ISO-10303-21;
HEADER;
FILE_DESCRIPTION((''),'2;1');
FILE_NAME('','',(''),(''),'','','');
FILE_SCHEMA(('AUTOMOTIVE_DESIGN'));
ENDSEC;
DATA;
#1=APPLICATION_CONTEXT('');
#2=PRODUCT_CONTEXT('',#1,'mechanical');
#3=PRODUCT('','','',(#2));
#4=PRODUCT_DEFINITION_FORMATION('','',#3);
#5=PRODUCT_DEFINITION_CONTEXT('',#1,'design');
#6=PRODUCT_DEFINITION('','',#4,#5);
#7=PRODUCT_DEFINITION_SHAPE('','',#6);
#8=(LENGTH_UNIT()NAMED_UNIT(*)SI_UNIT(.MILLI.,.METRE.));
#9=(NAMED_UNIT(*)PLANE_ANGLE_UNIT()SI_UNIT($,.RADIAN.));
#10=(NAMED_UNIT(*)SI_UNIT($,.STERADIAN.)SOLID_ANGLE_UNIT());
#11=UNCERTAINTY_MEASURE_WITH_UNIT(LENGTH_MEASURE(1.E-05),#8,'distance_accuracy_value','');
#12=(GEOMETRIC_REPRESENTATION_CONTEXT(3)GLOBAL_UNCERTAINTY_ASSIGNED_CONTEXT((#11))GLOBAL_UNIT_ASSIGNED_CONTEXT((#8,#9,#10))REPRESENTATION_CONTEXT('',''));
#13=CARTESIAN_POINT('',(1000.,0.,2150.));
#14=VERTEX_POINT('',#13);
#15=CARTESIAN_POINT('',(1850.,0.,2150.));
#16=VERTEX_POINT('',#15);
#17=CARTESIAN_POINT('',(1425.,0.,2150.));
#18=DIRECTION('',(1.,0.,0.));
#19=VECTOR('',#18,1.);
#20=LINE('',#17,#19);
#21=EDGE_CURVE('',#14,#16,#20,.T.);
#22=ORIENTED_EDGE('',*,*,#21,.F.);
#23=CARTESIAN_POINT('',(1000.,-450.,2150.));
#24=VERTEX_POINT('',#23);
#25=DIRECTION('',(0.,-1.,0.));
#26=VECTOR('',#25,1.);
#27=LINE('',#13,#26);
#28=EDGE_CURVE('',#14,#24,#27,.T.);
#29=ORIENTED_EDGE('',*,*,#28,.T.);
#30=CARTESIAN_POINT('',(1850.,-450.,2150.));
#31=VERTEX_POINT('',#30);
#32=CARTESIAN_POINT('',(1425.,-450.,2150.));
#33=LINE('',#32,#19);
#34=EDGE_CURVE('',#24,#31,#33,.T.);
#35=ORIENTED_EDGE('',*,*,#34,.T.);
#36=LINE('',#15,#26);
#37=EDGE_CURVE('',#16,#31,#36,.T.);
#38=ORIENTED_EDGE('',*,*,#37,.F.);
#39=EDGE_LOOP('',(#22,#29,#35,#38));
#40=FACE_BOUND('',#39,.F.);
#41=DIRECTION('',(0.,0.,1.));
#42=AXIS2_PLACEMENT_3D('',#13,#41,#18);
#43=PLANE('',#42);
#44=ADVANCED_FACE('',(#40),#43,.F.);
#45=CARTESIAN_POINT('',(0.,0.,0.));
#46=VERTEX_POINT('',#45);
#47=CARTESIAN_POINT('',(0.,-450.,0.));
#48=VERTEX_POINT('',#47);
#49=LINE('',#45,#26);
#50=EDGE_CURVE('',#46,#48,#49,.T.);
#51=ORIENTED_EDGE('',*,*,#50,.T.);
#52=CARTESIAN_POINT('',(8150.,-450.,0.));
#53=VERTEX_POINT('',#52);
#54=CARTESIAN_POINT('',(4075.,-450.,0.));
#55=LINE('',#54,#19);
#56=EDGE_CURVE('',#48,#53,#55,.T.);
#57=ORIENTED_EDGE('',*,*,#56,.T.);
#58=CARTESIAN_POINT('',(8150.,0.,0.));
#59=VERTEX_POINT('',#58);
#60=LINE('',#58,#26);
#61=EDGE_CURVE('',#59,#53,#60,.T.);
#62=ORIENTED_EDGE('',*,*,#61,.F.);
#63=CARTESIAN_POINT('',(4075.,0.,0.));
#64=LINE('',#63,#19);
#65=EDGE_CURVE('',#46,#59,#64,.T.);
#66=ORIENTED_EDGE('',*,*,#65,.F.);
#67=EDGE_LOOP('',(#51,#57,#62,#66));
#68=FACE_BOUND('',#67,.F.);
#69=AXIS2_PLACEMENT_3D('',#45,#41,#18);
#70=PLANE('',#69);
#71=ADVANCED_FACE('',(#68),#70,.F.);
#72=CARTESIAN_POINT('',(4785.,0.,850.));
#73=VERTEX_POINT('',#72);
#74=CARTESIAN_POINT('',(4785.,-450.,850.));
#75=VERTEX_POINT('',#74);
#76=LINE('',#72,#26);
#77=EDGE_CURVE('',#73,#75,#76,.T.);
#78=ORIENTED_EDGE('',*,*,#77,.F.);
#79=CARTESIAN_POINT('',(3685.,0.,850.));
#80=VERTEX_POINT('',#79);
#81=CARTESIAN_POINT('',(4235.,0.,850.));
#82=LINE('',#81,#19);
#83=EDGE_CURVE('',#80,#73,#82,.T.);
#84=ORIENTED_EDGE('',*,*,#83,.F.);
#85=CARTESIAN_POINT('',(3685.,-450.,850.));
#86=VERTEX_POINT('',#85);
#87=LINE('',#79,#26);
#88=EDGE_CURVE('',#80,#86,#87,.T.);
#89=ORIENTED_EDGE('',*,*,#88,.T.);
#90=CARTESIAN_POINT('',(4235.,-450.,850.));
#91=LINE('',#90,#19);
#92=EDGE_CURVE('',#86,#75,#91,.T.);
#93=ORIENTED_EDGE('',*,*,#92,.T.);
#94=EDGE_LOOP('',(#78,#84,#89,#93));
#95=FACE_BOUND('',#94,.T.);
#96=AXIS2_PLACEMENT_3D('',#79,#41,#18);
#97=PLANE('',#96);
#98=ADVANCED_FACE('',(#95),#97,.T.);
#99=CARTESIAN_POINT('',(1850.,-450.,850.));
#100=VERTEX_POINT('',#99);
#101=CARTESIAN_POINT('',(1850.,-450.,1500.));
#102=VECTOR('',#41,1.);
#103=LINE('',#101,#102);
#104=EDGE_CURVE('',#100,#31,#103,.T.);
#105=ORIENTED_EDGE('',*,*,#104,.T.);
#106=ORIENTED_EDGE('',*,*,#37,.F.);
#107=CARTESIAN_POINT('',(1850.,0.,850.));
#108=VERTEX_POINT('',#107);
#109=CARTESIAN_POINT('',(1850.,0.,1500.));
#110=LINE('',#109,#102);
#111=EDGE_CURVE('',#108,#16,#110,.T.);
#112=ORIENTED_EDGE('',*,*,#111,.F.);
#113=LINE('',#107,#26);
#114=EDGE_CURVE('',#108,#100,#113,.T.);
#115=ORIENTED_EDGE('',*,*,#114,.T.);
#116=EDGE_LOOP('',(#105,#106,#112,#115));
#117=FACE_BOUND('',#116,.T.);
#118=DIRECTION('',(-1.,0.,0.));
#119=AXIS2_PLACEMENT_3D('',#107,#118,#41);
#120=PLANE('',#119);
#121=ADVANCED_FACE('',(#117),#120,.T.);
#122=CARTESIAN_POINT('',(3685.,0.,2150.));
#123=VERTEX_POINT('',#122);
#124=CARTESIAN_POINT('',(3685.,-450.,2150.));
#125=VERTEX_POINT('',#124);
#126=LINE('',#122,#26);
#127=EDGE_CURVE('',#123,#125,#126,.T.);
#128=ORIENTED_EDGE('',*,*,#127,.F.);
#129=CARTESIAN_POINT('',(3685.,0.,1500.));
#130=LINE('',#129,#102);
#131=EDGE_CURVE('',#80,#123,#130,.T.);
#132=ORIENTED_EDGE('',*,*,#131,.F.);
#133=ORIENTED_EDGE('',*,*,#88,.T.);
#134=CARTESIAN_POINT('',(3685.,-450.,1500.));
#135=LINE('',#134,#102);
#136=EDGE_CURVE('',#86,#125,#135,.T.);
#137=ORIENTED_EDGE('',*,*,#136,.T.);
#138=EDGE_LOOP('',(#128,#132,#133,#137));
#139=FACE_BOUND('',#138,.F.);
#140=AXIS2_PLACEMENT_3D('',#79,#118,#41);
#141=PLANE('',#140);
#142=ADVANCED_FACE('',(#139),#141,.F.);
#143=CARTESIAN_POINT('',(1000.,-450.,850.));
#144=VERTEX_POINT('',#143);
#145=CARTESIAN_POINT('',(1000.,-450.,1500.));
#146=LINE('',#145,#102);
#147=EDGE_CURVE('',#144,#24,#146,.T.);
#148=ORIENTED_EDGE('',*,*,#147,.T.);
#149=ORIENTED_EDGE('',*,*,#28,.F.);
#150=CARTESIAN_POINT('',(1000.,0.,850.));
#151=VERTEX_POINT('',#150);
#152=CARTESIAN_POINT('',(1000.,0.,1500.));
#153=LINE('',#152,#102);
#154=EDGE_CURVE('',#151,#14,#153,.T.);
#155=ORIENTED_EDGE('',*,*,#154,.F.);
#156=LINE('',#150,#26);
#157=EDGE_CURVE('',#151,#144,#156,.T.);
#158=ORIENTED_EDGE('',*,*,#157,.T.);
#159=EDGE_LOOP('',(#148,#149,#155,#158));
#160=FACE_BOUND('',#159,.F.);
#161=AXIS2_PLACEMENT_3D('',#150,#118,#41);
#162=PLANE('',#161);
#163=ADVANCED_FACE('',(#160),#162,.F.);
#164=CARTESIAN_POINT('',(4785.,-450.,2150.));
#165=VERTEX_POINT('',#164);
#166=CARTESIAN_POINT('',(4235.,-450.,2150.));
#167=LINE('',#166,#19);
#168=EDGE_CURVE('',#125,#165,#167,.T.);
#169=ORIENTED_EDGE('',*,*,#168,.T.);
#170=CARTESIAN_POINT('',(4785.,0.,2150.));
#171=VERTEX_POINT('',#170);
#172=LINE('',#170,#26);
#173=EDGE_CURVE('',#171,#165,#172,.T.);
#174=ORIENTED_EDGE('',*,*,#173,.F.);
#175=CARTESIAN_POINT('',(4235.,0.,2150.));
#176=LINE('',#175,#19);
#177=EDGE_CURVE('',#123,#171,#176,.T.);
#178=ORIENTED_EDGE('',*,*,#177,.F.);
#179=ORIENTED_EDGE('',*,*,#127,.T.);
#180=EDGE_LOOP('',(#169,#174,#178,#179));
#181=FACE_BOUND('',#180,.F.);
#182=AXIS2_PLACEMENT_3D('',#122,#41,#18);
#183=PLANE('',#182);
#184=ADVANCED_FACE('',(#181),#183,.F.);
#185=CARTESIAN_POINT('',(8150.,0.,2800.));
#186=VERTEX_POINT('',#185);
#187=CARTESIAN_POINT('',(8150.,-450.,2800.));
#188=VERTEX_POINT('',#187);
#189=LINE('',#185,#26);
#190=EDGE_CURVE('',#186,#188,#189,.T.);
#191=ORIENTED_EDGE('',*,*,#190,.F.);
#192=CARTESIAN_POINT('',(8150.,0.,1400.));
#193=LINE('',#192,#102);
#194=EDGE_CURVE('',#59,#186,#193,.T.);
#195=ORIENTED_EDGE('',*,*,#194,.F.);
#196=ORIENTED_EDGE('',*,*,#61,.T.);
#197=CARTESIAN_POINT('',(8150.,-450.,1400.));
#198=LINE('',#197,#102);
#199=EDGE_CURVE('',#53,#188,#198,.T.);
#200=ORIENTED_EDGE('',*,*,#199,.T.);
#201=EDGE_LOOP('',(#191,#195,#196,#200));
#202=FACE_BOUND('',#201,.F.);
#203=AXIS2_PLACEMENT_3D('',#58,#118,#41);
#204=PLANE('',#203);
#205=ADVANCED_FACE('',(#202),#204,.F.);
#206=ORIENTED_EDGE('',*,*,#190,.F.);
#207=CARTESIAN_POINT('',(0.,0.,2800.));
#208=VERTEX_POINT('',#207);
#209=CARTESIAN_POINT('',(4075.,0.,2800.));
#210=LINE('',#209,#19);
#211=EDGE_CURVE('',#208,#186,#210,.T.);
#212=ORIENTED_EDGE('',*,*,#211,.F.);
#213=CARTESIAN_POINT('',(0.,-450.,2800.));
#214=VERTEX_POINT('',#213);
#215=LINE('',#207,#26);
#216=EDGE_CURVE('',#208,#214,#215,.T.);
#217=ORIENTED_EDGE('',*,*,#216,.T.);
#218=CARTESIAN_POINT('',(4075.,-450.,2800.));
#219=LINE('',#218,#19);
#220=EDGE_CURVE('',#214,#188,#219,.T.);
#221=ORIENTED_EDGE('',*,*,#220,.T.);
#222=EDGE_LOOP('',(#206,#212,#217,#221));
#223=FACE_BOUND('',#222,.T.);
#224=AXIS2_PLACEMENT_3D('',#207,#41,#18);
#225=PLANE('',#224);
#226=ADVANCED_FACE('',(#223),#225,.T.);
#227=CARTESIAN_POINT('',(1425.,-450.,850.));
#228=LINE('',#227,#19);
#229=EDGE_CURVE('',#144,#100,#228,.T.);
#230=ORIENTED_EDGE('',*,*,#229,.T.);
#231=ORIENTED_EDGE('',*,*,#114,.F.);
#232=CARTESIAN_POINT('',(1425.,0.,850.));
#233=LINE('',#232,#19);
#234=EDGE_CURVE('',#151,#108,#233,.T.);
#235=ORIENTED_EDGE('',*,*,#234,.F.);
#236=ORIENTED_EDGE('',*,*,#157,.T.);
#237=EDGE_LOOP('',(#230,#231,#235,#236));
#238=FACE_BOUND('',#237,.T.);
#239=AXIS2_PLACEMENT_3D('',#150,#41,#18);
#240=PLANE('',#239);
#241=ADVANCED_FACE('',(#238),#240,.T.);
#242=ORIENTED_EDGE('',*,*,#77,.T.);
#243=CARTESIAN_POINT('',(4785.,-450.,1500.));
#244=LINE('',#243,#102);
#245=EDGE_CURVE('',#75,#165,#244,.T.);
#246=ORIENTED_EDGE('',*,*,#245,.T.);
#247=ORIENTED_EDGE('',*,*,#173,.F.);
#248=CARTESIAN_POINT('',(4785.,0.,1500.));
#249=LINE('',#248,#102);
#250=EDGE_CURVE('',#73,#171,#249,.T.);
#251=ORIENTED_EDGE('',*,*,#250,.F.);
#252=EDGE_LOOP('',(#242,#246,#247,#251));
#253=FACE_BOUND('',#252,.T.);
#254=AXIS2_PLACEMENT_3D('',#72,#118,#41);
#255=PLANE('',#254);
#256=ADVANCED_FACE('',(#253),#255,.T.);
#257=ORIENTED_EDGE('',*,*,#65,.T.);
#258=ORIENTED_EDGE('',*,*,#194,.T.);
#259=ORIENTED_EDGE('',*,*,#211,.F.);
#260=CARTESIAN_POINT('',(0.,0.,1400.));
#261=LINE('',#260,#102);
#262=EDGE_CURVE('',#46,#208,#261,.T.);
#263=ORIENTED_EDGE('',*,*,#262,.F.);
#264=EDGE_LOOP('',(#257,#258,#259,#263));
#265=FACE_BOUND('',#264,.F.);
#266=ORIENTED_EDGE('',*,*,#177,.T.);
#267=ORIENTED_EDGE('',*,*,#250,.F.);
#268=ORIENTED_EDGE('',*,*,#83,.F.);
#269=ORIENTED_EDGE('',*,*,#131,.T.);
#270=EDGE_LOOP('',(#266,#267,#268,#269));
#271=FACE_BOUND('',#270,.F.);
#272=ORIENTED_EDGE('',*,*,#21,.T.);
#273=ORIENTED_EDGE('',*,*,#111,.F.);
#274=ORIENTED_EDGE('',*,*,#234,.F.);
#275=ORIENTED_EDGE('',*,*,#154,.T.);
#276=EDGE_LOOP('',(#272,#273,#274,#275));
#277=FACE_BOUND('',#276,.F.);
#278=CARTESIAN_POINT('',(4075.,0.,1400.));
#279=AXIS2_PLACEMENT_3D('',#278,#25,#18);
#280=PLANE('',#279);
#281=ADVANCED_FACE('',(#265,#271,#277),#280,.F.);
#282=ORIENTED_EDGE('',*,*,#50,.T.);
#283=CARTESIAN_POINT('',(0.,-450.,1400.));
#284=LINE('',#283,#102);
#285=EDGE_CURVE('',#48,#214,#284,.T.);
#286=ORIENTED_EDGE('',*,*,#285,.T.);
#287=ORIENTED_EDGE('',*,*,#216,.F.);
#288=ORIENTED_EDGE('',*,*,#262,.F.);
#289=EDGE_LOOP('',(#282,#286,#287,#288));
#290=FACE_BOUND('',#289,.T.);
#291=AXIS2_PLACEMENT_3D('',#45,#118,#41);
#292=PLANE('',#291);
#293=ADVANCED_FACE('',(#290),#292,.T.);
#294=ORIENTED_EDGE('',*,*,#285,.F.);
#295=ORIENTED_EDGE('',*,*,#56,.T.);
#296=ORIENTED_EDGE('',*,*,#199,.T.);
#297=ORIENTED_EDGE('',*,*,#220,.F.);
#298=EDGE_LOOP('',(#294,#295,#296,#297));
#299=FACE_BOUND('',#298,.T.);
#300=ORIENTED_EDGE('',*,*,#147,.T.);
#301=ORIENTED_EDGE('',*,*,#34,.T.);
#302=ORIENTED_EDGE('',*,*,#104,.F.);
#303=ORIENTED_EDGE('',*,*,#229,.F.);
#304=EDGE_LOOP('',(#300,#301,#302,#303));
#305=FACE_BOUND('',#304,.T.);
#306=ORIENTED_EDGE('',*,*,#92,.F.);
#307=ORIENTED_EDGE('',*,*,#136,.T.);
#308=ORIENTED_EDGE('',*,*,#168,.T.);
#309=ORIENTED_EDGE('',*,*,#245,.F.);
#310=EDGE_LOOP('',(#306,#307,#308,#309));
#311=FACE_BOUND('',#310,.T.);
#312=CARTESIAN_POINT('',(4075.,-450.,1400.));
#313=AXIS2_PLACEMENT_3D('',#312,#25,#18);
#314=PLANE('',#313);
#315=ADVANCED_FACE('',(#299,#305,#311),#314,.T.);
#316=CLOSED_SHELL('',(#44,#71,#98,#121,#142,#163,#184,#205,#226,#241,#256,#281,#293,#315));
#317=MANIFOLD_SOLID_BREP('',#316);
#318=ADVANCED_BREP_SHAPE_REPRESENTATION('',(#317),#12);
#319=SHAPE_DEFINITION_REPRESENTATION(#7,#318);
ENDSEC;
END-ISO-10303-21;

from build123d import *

# Parameters (mm, degrees)
F0_W     = 8150
F0_H     = 2800
F0_W_2   = 850
F0_H_2   = 1300
F0_W_3   = 1100
F1_DEPTH = 450


with BuildPart() as f1:
    # F0 (on Front) → F1 (new body)
    with BuildSketch(Plane.XZ):
        with Locations((4075, 1400)):
            Rectangle(F0_W, F0_H)
        with Locations((1425, 1500)):
            Rectangle(F0_W_2, F0_H_2, mode=Mode.SUBTRACT)
        with Locations((4235, 1500)):
            Rectangle(F0_W_3, F0_H_2, mode=Mode.SUBTRACT)
    extrude(amount=F1_DEPTH)


solid = f1.part
